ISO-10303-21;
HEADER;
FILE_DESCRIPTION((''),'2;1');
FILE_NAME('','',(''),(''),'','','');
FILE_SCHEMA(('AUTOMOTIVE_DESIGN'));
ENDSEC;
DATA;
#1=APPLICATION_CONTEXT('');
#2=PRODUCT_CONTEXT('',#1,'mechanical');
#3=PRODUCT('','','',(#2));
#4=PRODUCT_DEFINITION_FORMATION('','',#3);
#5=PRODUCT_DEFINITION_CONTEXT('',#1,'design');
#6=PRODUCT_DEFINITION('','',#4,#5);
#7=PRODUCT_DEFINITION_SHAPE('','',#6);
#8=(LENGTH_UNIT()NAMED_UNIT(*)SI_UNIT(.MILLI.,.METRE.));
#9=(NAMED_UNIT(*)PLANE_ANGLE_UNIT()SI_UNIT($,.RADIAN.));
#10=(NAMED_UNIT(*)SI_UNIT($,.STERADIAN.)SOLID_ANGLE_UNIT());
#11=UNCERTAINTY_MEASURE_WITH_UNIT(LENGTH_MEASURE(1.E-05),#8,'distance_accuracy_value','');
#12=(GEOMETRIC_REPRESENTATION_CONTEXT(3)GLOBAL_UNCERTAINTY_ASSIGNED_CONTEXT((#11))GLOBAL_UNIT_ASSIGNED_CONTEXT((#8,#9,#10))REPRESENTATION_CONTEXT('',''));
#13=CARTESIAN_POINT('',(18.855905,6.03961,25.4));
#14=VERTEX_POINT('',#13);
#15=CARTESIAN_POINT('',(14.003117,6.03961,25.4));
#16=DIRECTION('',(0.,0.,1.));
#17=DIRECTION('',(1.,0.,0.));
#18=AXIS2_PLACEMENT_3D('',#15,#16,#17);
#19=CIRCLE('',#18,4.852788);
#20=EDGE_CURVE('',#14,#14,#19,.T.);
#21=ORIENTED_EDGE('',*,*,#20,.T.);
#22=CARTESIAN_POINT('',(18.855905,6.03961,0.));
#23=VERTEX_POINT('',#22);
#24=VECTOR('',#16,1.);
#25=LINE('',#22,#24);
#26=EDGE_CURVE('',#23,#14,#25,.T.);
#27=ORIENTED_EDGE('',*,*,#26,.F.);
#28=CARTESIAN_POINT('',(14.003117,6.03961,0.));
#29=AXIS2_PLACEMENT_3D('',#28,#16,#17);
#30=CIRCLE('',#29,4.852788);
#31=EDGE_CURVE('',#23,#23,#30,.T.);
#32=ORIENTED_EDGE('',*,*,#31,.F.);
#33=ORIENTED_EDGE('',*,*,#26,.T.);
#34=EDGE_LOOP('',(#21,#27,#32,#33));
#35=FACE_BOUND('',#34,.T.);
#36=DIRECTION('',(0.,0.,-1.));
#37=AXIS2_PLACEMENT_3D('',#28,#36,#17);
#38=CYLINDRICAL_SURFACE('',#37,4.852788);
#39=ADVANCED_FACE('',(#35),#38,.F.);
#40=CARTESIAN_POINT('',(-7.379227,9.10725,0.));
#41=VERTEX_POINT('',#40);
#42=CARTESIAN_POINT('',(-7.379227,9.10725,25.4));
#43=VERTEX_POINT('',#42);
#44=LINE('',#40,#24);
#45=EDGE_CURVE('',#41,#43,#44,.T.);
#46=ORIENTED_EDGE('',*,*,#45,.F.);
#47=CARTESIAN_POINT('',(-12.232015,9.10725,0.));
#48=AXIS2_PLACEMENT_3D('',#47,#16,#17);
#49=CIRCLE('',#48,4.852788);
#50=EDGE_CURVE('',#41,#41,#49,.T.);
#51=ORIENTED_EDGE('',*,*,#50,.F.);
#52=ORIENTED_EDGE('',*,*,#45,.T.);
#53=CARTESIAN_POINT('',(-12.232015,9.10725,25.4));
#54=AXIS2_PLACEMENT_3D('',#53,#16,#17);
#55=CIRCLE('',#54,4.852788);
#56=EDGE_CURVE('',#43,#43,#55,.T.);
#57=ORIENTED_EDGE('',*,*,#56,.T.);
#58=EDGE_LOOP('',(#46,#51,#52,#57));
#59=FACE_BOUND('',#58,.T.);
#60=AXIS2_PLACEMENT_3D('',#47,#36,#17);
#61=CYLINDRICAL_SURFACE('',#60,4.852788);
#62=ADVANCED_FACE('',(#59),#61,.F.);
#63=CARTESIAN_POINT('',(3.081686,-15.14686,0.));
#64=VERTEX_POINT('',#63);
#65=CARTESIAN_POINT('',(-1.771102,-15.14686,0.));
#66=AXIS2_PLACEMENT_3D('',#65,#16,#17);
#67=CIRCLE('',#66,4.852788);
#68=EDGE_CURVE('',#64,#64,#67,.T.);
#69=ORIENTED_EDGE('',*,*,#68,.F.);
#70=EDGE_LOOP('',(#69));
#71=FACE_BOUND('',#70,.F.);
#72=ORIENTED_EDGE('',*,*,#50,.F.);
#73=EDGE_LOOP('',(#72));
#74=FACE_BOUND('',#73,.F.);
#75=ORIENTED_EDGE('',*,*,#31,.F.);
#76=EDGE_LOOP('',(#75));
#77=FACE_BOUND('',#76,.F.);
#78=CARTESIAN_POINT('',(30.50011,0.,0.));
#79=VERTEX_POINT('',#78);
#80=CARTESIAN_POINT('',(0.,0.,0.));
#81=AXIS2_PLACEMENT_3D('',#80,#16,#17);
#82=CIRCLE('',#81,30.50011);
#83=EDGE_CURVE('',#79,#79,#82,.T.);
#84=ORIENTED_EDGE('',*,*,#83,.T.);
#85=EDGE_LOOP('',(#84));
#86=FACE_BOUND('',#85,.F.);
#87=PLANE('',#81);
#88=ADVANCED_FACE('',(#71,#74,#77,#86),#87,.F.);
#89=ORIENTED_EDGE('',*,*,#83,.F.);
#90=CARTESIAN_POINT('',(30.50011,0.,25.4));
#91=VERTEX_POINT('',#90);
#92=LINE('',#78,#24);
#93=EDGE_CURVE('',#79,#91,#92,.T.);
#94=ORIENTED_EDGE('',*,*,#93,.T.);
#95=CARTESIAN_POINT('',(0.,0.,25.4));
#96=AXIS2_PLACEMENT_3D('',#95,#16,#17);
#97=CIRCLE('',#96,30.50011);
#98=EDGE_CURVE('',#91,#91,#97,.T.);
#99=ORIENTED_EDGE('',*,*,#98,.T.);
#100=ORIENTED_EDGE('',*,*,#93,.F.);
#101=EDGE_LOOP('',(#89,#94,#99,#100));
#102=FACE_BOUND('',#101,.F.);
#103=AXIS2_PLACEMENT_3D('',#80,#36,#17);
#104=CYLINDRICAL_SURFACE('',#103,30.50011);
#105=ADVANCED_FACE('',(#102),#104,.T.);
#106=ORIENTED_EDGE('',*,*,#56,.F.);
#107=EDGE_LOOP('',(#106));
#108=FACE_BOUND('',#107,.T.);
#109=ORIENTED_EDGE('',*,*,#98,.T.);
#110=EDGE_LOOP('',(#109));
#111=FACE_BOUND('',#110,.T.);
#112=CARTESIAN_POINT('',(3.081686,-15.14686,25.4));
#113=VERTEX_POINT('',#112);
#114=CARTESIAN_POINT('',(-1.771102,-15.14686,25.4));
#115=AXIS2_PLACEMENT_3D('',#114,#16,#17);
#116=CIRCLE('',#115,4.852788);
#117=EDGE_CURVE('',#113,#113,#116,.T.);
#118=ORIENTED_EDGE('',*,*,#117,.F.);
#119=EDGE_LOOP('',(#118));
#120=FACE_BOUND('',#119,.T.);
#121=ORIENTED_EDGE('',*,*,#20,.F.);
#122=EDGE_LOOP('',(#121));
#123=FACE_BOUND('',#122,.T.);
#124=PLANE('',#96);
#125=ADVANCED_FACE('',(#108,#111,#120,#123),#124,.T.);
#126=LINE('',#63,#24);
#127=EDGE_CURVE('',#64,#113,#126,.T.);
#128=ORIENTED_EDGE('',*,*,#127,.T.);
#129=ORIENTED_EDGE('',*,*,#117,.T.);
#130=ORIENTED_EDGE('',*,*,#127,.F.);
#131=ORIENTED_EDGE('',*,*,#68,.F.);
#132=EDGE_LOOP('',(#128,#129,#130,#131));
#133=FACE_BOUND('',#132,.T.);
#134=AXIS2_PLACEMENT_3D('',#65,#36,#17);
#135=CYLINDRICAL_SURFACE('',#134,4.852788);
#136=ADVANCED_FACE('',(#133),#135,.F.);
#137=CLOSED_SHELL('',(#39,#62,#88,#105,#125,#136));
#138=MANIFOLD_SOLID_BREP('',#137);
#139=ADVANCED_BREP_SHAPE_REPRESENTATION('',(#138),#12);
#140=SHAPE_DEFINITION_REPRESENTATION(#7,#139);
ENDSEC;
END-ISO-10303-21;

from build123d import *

# Parameters (mm, degrees)
F0_R     = 30.50011
F0_R_2   = 4.852788
F1_DEPTH = 25.4


with BuildPart() as f1:
    # F0 (on Top) → F1 (new body)
    with BuildSketch(Plane.XY):
        Circle(F0_R)
        with Locations((-1.771102, -15.14686)):
            Circle(F0_R_2, mode=Mode.SUBTRACT)
        with Locations((-12.232015, 9.10725)):
            Circle(F0_R_2, mode=Mode.SUBTRACT)
        with Locations((14.003117, 6.03961)):
            Circle(F0_R_2, mode=Mode.SUBTRACT)
    extrude(amount=F1_DEPTH)


solid = f1.part
